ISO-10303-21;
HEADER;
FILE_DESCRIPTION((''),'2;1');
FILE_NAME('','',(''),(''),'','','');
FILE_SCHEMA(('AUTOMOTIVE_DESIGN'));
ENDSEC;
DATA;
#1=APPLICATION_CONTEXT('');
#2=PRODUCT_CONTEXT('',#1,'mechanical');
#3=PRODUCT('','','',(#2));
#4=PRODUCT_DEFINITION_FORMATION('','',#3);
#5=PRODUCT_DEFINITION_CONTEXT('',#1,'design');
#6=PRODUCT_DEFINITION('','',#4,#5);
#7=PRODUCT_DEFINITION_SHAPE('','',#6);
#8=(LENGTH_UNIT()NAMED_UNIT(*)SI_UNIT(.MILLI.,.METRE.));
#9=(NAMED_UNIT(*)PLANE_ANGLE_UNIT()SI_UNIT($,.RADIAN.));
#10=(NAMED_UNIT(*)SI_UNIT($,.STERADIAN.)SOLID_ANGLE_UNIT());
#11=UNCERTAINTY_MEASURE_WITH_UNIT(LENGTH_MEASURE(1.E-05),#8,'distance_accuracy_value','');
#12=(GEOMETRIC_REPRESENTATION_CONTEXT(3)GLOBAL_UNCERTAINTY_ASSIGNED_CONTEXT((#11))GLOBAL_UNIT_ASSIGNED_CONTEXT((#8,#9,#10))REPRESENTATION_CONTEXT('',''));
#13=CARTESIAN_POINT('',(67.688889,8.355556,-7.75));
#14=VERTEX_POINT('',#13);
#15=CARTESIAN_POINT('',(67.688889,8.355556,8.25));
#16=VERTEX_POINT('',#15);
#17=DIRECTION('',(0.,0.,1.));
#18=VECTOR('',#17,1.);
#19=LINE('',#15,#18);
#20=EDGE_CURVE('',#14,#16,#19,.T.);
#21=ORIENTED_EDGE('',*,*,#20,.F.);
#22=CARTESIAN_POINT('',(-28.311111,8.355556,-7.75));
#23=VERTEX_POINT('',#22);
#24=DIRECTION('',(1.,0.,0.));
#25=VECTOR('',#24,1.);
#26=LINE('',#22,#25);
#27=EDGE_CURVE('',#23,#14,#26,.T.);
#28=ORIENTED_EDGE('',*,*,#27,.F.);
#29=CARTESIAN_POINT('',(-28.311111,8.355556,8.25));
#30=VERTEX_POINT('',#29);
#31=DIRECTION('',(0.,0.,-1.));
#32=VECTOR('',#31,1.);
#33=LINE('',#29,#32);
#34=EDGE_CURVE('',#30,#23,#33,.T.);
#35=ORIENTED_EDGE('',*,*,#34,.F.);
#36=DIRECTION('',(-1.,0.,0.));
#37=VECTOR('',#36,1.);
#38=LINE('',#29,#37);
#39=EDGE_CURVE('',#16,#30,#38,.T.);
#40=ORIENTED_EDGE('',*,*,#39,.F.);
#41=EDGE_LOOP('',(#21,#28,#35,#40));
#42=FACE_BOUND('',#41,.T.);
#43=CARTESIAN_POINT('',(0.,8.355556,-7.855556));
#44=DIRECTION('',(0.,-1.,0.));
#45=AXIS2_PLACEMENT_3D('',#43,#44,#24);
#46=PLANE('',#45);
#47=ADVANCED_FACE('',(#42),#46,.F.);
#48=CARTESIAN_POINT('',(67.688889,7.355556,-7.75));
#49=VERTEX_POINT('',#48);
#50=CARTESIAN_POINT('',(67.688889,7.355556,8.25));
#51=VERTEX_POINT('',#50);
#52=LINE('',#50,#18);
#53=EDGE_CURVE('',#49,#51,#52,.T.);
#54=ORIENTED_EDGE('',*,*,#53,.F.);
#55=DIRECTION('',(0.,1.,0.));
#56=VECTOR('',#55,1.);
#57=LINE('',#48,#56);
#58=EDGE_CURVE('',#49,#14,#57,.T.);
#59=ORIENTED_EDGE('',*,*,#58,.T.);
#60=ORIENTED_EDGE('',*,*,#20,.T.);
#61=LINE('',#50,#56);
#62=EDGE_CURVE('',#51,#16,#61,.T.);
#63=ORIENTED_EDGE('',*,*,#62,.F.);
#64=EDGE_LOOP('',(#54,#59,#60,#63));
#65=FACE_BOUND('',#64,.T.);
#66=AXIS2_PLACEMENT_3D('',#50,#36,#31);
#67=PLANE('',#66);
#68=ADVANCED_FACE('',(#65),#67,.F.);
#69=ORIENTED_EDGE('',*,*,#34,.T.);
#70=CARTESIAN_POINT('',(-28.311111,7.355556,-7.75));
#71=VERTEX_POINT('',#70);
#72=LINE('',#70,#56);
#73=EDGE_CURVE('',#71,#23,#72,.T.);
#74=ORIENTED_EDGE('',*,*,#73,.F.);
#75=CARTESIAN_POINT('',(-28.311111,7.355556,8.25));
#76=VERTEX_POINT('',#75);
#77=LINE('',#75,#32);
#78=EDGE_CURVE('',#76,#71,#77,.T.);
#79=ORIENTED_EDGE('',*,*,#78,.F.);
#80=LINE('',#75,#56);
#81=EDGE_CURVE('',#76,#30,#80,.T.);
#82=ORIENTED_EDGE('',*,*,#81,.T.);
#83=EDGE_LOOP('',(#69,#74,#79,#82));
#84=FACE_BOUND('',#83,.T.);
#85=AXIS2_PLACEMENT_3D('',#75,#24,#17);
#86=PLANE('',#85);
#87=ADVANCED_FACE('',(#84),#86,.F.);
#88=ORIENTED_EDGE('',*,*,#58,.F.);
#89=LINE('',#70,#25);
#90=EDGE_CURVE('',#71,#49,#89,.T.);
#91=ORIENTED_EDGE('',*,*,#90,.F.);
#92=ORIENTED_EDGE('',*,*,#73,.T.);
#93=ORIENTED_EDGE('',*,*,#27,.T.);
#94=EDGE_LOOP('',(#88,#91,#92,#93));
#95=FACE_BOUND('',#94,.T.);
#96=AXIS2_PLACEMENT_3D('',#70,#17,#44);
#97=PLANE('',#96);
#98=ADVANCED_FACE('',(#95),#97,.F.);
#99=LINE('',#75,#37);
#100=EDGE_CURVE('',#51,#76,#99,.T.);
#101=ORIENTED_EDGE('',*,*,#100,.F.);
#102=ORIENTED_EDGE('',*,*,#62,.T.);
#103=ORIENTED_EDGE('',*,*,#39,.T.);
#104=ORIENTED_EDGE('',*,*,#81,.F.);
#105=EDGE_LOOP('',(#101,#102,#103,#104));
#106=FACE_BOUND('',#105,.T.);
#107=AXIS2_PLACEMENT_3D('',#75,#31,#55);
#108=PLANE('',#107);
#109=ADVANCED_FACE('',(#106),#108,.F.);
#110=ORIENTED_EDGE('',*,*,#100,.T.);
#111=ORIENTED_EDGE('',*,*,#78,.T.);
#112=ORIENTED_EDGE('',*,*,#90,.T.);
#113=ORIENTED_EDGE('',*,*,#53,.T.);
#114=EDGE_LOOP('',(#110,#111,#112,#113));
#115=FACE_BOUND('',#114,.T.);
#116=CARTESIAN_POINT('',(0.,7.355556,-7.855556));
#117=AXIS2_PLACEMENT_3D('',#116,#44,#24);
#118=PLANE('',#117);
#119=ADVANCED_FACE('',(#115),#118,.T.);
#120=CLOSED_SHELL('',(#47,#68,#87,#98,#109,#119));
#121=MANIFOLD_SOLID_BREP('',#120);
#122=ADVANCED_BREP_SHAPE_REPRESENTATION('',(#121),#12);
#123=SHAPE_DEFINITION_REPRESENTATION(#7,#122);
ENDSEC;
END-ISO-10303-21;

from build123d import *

# Parameters (mm, degrees)
SKETCH1_W             = 96
SKETCH1_H             = 16
BOSS_EXTRUDE1_DEPTH   = 1
BODY_MOVE_COPY1_ANGLE = 90


with BuildPart() as part:
    # Sketch1 → Boss-Extrude1 (new body)
    with BuildSketch(Plane.XY):
        with Locations((19.688888889, 8.105555556)):
            Rectangle(SKETCH1_W, SKETCH1_H)
    extrude(amount=BOSS_EXTRUDE1_DEPTH)


with BuildPart() as part_1:
    # Body-Move/Copy1: moved
    add(part.part.rotate(Axis((0, 8.105555556, 0.25), (1, 0, 0)), BODY_MOVE_COPY1_ANGLE))


solid = part_1.part
